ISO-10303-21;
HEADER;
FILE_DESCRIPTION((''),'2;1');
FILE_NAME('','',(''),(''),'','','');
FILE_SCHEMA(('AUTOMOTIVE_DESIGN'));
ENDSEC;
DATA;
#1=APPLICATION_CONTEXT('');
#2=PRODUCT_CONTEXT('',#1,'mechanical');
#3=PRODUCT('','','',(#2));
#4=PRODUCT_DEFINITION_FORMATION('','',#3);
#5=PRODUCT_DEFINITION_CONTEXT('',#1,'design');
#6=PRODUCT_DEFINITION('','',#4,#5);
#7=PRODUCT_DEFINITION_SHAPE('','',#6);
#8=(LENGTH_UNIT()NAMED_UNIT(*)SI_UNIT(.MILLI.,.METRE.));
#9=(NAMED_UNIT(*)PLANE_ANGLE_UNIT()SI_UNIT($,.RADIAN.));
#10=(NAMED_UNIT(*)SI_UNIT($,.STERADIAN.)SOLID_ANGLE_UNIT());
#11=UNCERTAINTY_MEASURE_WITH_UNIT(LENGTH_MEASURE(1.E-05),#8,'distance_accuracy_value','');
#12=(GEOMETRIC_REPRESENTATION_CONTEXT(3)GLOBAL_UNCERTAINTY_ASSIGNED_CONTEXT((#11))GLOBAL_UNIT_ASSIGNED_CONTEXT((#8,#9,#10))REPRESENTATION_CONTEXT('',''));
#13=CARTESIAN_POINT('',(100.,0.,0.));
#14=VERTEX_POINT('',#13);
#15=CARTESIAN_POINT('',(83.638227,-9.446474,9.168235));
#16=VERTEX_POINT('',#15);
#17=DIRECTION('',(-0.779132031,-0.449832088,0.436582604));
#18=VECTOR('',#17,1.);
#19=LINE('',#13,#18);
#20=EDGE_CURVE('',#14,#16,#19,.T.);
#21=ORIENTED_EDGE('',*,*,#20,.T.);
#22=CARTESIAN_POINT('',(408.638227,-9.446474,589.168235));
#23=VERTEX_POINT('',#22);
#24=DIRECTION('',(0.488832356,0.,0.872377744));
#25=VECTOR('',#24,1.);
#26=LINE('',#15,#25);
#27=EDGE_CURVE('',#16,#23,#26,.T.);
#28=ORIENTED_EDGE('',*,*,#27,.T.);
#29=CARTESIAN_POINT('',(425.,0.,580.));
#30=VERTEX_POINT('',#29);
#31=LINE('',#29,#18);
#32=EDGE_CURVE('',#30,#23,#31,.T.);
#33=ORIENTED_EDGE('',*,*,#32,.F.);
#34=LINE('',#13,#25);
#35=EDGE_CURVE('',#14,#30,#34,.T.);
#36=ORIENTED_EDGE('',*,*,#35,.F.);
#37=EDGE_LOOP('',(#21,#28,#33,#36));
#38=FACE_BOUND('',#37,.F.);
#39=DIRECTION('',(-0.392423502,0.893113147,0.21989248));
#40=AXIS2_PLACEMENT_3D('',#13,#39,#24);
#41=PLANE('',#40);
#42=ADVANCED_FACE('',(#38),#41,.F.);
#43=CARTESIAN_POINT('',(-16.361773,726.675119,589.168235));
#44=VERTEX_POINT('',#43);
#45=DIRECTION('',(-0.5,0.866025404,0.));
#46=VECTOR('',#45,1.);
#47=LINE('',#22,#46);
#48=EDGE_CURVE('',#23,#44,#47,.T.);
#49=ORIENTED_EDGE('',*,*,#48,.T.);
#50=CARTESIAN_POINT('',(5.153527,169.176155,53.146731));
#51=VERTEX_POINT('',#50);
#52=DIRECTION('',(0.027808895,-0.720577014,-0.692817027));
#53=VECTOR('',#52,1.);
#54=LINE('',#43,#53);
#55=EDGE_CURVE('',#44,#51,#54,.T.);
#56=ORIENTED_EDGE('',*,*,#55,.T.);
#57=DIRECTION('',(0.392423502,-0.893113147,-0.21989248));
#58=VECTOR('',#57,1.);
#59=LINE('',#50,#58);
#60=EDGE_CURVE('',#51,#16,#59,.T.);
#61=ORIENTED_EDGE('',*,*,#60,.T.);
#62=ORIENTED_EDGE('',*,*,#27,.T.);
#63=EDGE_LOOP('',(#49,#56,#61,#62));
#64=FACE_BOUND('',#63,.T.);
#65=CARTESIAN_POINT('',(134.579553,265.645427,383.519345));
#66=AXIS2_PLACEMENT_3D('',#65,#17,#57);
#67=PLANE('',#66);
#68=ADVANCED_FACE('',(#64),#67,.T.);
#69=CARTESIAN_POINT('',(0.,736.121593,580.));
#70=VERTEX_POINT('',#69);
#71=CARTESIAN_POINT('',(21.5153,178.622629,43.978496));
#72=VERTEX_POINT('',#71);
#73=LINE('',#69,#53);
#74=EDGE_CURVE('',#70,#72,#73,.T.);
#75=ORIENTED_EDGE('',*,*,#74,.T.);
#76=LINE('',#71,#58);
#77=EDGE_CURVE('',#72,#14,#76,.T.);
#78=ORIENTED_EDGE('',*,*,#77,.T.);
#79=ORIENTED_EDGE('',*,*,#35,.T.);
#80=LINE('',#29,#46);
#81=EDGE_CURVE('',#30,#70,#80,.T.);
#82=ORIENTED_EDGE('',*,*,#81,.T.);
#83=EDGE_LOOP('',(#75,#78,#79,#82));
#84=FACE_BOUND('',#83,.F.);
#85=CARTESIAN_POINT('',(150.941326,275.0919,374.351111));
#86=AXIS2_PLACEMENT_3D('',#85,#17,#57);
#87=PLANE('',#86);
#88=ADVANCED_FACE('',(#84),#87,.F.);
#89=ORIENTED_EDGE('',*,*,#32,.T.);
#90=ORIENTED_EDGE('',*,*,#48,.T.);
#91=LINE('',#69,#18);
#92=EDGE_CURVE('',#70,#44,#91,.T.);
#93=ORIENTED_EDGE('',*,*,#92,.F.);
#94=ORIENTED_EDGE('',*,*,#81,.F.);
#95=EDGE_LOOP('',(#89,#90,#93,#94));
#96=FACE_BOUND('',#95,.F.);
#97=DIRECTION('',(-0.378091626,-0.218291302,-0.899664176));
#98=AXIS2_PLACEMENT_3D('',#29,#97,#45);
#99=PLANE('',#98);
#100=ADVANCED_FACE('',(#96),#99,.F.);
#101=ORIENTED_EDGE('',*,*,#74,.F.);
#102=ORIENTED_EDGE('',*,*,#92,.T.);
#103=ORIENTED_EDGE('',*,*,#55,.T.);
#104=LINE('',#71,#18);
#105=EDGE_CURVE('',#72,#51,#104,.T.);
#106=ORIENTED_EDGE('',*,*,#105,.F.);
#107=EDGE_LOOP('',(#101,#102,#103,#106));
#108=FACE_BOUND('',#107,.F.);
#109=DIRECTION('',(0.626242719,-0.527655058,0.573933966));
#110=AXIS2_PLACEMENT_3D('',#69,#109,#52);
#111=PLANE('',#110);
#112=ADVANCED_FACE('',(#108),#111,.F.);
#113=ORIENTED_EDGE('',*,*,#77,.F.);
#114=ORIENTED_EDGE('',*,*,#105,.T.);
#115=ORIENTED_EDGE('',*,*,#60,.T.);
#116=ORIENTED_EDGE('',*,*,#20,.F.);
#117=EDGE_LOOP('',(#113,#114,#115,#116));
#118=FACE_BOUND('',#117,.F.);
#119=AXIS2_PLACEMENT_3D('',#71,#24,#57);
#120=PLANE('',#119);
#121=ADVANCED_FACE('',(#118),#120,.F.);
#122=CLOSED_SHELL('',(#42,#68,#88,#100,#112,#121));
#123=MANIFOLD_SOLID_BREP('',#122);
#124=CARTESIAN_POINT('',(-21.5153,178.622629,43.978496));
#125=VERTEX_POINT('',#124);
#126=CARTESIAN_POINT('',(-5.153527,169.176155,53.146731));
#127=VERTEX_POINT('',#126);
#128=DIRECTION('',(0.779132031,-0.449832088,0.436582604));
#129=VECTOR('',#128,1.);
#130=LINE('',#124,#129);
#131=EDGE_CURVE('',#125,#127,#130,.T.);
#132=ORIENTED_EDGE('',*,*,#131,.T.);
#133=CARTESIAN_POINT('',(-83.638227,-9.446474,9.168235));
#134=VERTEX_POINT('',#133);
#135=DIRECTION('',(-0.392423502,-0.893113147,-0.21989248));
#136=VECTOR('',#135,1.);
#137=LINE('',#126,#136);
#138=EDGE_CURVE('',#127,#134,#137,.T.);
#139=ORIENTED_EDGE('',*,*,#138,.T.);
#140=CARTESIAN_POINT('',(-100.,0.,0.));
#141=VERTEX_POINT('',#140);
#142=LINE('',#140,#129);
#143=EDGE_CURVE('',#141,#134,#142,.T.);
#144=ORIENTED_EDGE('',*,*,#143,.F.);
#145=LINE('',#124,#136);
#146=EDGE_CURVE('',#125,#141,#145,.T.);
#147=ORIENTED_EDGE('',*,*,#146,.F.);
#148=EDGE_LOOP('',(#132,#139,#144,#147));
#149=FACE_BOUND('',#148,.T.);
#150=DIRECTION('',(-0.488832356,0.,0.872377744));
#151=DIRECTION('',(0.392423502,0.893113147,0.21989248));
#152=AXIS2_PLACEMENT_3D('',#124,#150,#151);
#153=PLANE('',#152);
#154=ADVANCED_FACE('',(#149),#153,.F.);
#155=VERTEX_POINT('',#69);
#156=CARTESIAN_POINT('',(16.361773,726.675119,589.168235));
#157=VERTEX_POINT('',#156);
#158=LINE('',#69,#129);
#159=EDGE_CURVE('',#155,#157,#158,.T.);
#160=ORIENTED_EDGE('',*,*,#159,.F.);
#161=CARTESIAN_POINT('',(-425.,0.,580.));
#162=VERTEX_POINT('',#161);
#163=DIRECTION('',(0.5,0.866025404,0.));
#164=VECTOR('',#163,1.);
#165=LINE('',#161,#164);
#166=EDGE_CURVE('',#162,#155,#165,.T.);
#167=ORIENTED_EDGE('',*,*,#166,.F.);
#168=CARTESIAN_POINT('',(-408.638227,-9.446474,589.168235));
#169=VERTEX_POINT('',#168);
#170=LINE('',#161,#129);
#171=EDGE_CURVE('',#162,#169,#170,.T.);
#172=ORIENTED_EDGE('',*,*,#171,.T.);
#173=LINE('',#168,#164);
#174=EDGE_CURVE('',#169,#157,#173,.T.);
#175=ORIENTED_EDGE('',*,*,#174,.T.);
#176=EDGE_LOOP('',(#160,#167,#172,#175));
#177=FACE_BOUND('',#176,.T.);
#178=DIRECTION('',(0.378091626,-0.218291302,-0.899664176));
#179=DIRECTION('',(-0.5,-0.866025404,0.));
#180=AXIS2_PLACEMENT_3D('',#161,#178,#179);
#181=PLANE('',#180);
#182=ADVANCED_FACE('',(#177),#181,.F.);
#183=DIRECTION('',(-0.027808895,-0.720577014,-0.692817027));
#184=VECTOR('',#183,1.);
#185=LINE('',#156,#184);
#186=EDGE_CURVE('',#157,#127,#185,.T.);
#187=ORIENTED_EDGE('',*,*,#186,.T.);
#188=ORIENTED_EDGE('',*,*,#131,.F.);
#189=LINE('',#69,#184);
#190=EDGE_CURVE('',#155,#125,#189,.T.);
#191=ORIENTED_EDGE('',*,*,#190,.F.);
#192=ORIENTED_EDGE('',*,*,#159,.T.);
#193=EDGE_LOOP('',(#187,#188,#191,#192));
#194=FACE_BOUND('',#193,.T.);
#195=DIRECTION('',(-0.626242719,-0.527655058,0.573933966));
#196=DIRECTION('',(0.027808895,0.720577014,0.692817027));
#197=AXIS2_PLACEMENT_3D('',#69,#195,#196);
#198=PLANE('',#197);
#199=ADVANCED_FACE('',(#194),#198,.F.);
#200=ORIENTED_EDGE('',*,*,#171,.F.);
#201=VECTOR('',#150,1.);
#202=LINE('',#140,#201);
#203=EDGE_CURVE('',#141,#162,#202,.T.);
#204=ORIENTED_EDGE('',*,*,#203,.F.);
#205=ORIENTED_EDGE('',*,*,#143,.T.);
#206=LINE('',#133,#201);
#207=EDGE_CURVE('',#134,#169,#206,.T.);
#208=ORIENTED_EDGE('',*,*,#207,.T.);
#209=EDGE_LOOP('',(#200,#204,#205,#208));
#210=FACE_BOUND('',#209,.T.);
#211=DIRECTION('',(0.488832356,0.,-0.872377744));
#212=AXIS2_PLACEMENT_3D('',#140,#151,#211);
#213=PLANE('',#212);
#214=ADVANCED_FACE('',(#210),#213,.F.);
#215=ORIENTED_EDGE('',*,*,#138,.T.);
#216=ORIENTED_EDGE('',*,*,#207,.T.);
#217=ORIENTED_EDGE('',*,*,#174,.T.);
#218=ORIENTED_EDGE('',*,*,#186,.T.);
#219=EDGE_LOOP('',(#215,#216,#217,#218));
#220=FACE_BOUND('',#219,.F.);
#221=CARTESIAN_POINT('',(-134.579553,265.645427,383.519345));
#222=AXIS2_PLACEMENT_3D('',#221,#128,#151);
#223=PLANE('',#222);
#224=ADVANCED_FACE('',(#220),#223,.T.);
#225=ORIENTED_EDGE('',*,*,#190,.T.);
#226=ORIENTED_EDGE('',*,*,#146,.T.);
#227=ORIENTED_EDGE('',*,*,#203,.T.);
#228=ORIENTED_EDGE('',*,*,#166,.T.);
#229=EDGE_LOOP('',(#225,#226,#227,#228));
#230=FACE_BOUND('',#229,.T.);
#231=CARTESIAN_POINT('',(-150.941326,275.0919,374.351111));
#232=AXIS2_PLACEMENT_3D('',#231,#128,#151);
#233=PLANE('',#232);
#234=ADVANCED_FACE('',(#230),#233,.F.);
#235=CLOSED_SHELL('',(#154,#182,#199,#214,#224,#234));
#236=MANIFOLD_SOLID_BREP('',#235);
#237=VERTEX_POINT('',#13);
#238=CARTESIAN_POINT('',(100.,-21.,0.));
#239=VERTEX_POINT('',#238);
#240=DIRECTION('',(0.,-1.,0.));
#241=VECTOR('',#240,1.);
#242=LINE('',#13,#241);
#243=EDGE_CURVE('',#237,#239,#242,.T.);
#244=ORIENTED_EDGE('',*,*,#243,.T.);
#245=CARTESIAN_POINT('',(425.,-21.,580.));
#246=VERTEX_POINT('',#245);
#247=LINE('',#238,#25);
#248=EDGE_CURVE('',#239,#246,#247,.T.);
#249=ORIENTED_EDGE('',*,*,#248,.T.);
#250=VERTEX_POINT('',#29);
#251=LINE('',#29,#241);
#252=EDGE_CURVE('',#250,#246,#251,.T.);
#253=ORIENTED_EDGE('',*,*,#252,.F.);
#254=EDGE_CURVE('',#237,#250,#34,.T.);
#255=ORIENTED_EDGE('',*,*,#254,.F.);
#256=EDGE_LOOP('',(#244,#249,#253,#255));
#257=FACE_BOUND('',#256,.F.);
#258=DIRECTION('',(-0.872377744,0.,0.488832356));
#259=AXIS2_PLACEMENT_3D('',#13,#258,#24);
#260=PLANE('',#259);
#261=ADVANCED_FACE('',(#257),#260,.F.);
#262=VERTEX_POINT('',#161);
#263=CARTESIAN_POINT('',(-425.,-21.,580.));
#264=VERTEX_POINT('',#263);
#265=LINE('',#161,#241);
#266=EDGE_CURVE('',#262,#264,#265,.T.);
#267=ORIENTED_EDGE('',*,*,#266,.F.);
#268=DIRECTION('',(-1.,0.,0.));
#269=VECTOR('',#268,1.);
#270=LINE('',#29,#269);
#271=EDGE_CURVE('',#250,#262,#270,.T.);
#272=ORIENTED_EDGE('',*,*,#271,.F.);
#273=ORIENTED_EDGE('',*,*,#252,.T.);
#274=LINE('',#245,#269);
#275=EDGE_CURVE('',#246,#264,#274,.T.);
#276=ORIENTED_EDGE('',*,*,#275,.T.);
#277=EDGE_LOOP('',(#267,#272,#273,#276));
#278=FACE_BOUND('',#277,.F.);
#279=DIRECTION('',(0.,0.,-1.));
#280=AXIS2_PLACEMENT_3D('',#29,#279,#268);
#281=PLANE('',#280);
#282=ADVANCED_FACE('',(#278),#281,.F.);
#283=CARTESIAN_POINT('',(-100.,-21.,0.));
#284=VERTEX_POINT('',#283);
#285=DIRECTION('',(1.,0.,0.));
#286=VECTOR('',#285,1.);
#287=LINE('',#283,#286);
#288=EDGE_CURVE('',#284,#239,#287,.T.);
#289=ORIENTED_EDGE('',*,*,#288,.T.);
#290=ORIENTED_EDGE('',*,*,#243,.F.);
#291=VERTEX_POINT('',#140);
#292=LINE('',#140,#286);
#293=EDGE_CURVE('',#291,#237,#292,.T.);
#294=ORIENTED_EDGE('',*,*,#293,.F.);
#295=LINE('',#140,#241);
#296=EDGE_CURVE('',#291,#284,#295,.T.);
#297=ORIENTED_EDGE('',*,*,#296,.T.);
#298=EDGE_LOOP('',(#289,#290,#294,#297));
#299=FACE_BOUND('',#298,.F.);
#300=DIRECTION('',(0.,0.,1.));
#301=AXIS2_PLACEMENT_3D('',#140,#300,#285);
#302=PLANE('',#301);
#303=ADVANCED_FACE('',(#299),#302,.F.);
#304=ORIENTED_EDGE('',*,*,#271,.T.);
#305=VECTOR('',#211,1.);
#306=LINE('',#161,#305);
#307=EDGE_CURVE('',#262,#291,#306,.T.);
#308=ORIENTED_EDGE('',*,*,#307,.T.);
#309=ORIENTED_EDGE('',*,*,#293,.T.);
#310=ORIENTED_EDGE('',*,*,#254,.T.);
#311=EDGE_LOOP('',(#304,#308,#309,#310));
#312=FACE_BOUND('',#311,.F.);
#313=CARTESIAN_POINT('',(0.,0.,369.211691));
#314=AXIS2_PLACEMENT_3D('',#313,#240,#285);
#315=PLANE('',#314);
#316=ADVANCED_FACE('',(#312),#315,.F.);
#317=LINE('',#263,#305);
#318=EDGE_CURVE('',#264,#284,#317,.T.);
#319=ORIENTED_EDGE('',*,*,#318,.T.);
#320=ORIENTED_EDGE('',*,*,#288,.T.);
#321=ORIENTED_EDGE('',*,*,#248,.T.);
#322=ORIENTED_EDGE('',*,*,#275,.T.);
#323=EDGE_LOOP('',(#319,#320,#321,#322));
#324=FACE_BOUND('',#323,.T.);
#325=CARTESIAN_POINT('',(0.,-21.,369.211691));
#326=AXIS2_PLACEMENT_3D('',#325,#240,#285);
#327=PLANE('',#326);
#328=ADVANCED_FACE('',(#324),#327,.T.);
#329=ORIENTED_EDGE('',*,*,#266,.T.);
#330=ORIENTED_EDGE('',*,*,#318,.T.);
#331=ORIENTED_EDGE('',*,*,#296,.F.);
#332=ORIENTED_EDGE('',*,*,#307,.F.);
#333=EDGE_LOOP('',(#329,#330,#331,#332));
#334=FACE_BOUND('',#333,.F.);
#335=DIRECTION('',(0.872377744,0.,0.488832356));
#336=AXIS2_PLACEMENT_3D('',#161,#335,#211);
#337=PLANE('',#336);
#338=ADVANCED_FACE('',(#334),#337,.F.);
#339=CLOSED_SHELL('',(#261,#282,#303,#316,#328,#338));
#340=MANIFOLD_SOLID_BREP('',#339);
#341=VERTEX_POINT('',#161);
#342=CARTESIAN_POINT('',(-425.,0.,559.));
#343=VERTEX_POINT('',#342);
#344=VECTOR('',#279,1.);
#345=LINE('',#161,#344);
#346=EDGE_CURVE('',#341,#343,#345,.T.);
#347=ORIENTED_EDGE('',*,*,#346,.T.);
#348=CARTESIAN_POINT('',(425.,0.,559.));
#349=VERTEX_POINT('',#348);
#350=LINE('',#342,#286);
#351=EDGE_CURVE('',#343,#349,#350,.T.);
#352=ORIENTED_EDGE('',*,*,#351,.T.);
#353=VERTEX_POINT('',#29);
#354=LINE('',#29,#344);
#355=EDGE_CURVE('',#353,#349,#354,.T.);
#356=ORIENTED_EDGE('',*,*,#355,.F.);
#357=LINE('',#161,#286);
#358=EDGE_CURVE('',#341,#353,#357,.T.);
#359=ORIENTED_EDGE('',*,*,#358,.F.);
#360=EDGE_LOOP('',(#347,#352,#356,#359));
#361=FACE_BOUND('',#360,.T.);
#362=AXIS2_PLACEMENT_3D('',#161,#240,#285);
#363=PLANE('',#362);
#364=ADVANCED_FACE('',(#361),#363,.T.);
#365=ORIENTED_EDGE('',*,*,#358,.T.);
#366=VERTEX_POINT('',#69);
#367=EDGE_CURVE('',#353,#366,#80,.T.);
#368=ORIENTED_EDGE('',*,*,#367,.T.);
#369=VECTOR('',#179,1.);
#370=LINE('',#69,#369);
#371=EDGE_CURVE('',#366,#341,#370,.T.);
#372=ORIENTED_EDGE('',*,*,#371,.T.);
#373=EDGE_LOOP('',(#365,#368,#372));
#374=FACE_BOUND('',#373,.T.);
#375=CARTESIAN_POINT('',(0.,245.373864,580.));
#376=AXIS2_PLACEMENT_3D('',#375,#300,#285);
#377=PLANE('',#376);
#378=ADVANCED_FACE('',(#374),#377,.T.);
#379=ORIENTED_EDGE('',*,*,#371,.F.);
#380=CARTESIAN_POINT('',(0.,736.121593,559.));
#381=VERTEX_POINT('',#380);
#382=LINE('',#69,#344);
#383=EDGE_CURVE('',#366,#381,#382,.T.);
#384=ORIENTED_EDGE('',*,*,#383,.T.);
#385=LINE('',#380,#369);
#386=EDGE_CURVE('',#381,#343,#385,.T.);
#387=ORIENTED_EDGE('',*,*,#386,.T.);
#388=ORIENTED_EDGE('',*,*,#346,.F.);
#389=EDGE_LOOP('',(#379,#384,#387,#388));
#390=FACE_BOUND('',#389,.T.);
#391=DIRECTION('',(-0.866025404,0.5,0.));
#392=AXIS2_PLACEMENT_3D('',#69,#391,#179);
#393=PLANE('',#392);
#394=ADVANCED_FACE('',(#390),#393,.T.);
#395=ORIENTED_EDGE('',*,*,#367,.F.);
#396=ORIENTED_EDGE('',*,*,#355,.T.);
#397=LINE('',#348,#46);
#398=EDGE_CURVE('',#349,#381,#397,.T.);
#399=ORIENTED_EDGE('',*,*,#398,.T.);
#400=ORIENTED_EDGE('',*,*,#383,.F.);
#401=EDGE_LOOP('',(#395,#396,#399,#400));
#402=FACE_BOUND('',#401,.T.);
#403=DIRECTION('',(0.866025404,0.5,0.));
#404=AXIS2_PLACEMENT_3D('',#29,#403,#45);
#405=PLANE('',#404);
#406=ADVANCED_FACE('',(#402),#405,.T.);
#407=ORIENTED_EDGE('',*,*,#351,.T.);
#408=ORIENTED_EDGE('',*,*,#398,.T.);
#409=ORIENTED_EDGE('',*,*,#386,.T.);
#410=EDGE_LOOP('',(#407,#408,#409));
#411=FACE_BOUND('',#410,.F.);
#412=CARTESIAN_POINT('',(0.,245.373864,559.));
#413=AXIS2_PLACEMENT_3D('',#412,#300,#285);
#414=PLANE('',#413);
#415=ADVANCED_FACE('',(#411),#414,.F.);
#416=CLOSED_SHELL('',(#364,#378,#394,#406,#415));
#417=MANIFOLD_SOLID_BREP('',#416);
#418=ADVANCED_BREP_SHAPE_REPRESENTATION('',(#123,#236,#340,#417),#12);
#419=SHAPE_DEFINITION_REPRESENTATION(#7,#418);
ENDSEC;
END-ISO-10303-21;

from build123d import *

# Parameters (mm, degrees)
F1_DEPTH = 21
F3_DEPTH = 21
F6_DEPTH = 21


with BuildPart() as f1:
    # F0 (on Front) → F1 (new body)
    with BuildSketch(Plane.XZ):
        Polygon((425, 580), (-425, 580), (-100, 0), (100, 0), align=None)
    extrude(amount=F1_DEPTH)


with BuildPart() as f3:
    # F2 (on face) → F3 (new body)
    with BuildSketch(Plane.XY.offset(580)):
        Polygon((0, 736.1215932168), (-425, 0), (425, 0), align=None)
    extrude(amount=-F3_DEPTH)


with BuildPart() as f6:
    # F5 (on 3pt) → F6 (new body)
    with BuildSketch(Plane(origin=(60.7046722507, 35.047858865, -34.015549106), x_dir=(0.392423502, -0.8931131465, -0.2198924796), z_dir=(-0.7791320315, -0.4498320881, 0.4365826039))):
        Polygon((39.2423502009, 48.8832356298), (39.2423502009, 713.7328426839), (-784.9775104966, 505.9790912573), (-160.7576497991, 48.8832356298), align=None)
    extrude(amount=F6_DEPTH)


with BuildPart() as f7_1:
    # F7: instance of F6
    add(f6.part.mirror(Plane.YZ))


solid = Compound([f1.part, f3.part, f6.part, f7_1.part])
